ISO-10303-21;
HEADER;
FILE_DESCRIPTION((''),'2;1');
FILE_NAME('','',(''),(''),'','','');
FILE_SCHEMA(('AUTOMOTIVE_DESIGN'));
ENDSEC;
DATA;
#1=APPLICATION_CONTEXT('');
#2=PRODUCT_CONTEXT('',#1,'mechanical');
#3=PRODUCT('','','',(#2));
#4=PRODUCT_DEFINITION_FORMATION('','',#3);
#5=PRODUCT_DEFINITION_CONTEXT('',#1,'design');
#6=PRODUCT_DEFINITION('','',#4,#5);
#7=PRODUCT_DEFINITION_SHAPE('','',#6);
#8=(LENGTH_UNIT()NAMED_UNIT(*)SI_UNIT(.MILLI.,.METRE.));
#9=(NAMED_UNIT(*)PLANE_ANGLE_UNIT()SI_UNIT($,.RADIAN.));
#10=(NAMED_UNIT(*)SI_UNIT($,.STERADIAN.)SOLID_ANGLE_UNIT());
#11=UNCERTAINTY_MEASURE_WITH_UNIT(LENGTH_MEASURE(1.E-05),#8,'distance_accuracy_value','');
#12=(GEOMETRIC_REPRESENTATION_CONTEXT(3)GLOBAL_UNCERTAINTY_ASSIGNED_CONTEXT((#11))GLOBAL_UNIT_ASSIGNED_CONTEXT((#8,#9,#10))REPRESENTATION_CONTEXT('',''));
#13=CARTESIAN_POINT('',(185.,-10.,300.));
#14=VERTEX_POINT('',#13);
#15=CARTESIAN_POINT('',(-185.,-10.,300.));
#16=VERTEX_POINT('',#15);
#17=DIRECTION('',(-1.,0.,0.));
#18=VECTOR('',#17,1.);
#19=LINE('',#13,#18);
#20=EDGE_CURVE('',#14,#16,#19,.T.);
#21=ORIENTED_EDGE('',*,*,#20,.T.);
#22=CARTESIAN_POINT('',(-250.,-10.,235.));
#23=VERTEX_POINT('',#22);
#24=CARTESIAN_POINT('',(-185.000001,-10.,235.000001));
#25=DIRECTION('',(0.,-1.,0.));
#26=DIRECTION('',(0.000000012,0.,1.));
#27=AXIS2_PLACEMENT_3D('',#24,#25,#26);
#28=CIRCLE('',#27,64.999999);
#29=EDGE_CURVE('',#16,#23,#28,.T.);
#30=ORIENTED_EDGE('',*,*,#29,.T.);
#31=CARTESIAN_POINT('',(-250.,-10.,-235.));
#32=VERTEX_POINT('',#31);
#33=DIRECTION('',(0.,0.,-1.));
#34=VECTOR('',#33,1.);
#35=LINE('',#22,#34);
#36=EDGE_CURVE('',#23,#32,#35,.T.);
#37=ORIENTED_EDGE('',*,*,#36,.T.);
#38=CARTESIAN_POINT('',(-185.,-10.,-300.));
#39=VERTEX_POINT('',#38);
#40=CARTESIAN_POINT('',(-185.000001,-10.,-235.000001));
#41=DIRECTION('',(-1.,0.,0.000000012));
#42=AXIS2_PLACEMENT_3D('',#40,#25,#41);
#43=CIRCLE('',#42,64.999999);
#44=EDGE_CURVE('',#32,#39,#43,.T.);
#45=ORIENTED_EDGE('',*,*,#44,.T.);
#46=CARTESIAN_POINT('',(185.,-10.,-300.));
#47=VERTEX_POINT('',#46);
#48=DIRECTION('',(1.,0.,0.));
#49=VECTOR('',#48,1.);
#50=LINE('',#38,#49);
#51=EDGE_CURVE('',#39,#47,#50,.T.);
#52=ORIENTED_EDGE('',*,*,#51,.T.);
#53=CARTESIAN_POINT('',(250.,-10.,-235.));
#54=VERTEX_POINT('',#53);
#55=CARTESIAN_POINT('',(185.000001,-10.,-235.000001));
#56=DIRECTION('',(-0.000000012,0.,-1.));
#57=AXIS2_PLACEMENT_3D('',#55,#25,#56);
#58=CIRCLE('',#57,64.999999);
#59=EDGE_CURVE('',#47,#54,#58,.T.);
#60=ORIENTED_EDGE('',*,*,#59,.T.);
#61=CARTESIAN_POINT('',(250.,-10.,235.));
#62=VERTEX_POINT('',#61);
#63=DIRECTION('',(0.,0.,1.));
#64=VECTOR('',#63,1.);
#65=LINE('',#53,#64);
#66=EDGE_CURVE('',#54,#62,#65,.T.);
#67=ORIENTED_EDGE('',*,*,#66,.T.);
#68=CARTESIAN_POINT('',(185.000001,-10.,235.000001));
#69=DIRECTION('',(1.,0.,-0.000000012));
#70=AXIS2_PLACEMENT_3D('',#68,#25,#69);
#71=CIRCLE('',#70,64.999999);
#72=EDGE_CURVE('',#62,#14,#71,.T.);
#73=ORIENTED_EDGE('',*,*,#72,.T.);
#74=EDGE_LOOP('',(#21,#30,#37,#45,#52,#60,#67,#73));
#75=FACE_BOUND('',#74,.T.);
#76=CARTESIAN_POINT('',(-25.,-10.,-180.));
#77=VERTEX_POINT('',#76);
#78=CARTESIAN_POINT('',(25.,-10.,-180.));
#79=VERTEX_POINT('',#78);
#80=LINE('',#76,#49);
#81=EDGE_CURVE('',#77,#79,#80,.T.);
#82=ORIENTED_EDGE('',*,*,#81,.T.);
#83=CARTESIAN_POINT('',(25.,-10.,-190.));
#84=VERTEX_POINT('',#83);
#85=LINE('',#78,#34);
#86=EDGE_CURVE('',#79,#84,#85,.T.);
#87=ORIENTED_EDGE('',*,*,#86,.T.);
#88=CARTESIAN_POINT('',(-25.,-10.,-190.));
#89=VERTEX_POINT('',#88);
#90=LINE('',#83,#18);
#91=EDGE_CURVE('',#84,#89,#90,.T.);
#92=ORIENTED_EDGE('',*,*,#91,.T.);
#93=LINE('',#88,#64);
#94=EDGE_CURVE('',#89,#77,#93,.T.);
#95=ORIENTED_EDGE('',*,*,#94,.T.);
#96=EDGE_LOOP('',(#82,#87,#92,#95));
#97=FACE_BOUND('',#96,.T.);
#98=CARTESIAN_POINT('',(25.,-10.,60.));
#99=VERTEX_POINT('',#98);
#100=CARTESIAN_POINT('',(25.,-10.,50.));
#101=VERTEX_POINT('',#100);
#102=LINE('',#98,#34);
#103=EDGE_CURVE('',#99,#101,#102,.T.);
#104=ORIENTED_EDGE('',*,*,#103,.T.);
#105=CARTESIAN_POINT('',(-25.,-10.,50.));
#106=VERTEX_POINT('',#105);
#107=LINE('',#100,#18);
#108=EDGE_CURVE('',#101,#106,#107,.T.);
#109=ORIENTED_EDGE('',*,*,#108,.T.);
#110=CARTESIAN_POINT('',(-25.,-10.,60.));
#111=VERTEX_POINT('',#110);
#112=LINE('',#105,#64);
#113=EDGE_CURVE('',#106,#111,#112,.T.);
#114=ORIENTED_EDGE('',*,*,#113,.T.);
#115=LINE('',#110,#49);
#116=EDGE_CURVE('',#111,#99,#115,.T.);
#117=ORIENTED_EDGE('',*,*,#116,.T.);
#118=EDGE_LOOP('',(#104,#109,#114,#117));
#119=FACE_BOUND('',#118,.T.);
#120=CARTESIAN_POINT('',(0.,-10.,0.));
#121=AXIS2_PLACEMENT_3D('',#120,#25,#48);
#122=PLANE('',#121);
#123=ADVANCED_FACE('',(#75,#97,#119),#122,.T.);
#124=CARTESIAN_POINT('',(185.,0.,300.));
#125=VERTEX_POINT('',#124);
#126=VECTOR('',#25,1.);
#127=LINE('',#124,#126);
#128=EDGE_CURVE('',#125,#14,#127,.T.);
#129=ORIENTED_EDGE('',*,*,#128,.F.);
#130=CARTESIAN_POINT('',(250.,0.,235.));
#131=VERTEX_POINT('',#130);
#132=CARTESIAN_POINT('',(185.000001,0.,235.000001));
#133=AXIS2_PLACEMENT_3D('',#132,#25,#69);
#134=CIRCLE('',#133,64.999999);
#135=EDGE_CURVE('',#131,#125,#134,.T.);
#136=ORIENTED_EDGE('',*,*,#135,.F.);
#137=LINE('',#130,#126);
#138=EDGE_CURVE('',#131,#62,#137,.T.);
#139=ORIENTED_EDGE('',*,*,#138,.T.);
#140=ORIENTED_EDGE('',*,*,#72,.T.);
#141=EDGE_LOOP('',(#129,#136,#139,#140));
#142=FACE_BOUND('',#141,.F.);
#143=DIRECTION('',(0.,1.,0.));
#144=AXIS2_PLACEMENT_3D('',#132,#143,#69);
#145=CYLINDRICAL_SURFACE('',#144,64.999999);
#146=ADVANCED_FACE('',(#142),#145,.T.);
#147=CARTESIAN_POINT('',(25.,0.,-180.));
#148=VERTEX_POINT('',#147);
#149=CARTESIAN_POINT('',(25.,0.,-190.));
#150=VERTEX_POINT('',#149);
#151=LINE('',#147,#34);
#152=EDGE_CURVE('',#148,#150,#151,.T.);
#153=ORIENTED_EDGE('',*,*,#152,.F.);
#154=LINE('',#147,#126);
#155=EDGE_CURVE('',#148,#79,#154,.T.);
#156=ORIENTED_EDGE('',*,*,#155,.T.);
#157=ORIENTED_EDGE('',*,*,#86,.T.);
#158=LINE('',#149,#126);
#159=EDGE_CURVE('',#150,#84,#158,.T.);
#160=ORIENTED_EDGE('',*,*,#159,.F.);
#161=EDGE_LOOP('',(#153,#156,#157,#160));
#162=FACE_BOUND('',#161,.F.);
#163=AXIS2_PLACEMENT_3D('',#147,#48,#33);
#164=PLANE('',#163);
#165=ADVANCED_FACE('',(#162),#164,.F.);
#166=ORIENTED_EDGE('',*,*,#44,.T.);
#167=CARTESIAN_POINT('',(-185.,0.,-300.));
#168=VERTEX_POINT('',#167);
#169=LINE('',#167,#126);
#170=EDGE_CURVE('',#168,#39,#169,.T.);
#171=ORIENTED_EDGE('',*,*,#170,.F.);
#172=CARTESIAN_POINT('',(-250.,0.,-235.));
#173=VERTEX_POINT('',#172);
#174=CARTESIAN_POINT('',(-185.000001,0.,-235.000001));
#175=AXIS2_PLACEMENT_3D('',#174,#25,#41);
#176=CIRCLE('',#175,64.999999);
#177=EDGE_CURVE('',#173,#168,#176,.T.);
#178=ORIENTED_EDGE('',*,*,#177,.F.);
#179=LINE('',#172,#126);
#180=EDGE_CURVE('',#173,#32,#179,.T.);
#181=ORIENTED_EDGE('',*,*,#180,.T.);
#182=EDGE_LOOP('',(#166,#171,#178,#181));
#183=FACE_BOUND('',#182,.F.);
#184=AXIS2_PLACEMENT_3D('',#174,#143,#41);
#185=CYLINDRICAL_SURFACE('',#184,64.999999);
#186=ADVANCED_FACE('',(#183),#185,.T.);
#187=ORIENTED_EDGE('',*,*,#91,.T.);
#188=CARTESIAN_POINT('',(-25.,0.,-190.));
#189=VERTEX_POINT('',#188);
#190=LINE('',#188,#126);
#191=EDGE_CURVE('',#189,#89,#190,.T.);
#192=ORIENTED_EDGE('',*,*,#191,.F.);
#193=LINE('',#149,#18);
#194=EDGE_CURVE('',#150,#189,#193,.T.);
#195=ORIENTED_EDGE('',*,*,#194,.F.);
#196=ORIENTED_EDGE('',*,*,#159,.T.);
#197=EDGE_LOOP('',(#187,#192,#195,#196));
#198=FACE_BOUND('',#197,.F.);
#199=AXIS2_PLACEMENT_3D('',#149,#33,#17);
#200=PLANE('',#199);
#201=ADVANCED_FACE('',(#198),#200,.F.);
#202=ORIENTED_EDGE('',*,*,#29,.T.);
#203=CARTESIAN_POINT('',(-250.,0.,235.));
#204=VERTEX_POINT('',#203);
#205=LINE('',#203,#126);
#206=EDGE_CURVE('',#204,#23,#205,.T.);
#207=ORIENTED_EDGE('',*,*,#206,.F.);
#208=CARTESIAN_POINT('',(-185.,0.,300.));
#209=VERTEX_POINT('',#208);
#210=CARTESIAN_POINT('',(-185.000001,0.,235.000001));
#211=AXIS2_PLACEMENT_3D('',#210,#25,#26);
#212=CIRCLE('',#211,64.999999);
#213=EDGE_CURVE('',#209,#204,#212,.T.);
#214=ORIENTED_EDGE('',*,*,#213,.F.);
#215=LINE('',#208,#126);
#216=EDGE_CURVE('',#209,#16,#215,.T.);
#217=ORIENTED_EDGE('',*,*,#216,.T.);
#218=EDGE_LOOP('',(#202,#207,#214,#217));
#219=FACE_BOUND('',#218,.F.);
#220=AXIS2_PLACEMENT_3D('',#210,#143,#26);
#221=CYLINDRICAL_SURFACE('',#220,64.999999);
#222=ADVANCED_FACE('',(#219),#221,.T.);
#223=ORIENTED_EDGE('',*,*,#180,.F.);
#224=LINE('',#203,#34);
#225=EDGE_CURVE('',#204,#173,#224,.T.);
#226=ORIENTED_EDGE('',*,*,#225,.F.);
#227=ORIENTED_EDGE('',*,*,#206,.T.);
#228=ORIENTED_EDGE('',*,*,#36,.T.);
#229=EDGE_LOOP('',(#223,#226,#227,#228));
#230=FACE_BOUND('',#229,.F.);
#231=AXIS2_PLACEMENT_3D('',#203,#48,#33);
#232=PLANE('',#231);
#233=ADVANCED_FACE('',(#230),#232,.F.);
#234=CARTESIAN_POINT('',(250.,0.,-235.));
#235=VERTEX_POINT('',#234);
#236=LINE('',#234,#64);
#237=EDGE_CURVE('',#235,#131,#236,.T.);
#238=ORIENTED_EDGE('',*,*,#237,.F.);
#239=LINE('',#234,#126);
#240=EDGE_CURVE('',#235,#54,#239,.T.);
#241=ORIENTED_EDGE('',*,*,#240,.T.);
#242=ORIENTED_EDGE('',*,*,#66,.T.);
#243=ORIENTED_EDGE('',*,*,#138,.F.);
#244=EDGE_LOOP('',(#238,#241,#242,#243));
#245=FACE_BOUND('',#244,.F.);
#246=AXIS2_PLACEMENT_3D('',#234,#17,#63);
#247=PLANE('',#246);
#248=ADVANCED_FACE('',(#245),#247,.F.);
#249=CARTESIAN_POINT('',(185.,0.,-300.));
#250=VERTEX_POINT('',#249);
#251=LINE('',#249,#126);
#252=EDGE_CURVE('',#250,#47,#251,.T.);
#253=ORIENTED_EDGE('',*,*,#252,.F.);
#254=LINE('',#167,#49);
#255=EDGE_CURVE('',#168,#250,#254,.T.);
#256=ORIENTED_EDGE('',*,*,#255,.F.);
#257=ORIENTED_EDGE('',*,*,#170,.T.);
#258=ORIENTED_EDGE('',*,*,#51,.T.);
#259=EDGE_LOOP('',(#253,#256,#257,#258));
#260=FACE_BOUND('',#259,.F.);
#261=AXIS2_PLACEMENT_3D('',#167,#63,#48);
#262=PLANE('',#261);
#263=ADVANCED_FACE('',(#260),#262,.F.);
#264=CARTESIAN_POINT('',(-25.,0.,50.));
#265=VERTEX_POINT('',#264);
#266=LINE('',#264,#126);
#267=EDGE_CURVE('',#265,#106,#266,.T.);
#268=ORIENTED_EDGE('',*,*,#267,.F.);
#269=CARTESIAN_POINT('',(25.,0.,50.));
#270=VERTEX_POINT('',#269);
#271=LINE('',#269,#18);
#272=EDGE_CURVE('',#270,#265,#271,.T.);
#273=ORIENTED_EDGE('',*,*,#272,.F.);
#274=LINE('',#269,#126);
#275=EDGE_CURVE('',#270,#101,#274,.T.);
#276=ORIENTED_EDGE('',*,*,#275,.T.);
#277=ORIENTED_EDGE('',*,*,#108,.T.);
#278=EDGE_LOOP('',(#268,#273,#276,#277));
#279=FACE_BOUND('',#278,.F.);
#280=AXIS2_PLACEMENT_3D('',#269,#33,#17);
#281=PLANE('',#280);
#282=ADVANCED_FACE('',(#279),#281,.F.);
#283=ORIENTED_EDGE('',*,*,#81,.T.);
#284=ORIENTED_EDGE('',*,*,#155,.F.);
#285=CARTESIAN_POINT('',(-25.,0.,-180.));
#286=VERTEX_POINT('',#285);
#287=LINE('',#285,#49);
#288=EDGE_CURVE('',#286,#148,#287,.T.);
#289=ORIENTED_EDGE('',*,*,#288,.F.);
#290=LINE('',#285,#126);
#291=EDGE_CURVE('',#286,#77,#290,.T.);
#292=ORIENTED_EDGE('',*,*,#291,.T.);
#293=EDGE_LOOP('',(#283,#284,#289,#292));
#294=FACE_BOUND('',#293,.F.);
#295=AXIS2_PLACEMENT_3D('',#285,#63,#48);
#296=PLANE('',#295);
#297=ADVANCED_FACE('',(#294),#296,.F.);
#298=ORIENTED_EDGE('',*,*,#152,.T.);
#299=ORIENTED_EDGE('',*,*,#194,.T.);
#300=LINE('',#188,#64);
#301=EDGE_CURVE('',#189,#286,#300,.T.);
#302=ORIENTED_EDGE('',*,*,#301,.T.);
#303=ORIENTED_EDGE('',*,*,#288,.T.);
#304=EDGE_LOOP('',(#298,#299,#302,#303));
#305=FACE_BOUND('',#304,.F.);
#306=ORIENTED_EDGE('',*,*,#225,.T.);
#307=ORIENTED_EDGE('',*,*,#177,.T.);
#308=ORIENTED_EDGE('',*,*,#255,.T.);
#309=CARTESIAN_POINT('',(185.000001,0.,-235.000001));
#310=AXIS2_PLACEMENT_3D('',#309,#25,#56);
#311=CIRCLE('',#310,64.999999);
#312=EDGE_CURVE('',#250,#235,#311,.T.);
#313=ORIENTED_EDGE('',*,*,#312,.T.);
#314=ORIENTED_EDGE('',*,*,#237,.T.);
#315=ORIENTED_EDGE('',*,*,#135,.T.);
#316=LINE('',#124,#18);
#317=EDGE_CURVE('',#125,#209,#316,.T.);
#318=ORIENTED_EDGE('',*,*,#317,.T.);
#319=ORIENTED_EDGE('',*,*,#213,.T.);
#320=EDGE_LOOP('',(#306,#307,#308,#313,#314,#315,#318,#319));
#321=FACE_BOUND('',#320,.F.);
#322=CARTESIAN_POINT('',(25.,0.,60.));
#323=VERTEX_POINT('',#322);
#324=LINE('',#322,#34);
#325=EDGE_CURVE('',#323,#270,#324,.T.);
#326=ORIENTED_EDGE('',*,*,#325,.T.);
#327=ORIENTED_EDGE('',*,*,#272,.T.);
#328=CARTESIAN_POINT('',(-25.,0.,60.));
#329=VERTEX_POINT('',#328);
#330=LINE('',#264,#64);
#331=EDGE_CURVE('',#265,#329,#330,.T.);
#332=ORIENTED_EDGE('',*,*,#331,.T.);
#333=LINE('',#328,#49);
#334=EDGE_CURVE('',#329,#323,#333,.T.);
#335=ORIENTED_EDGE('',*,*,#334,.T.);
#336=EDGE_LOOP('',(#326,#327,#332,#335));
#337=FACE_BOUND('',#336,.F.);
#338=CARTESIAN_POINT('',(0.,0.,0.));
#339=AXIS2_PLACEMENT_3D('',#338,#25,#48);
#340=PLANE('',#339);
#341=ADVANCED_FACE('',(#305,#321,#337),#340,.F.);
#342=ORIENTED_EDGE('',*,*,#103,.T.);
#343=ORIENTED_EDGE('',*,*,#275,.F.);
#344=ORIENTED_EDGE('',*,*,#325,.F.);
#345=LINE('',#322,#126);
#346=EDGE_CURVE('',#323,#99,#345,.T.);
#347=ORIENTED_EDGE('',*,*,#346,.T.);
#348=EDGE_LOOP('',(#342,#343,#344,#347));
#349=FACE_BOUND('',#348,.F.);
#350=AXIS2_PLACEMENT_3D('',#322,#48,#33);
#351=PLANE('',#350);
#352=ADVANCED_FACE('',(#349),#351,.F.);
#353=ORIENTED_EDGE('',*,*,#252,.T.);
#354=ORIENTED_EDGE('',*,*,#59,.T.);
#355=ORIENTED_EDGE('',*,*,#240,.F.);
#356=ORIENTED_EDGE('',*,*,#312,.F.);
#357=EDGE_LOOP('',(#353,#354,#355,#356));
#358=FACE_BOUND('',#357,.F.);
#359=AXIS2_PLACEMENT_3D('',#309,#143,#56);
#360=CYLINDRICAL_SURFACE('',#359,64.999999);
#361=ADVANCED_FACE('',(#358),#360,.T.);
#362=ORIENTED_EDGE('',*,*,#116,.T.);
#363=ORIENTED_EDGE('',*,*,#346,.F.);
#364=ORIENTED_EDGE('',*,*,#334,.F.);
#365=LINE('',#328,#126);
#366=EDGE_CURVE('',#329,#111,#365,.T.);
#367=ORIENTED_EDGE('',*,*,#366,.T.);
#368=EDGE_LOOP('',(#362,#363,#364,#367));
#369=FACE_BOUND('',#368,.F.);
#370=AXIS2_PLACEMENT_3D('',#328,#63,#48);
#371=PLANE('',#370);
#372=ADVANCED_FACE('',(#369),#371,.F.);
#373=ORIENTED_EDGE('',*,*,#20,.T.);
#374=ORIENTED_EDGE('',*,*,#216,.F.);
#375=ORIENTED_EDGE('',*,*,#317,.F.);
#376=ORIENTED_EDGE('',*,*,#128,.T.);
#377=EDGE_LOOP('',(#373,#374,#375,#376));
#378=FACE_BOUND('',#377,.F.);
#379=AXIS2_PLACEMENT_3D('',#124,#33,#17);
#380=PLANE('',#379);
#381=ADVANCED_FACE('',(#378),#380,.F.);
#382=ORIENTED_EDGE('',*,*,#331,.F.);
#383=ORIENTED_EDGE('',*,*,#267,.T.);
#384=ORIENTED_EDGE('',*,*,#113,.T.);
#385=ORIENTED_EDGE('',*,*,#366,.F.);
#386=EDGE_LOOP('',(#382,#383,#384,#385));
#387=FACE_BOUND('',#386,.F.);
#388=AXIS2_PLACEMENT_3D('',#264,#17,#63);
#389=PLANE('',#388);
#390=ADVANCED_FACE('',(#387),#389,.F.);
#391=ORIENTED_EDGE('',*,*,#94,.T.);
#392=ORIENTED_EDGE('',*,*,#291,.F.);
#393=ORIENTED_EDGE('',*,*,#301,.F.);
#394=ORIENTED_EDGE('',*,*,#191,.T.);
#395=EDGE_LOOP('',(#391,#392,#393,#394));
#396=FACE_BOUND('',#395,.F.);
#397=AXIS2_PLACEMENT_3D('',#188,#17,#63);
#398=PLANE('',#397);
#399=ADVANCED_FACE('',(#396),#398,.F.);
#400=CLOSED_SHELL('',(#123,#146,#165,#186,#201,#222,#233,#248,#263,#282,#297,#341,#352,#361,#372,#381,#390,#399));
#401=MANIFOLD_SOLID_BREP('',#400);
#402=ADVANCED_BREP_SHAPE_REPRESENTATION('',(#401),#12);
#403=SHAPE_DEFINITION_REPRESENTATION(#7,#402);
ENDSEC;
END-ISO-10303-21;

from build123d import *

# Parameters (mm, degrees)
F0_W     = 25
F0_H     = 10
F1_DEPTH = 10


with BuildPart() as f1:
    # F0 (on Front) → F1 (new body)
    with BuildSketch(Plane.XZ):
        with BuildLine():
            Line((185, 300), (-185, 300))
            ThreePointArc((-185, 300), (-230.961941, 280.961941), (-250, 235))
            Line((-250, 235), (-250, -235))
            ThreePointArc((-250, -235), (-230.961941, -280.961941), (-185, -300))
            Line((-185, -300), (185, -300))
            ThreePointArc((185, -300), (230.961941, -280.961941), (250, -235))
            Line((250, -235), (250, 235))
            ThreePointArc((250, 235), (230.961941, 280.961941), (185, 300))
        make_face()
        Polygon((-25, -180), (0, -180), (25, -180), (25, -190), (-25, -190), align=None, mode=Mode.SUBTRACT)
        with Locations((-187.5, -70)):
            Rectangle(F0_W, F0_H, mode=Mode.SUBTRACT)
        Polygon((-20, 60), (0, 60), (20, 60), (25, 60), (25, 50), (20, 50), (-20, 50), (-25, 50), (-25, 60), align=None, mode=Mode.SUBTRACT)
        with Locations((-187.5, -70)):
            Rectangle(F0_W, F0_H)
    extrude(amount=F1_DEPTH)


solid = f1.part
